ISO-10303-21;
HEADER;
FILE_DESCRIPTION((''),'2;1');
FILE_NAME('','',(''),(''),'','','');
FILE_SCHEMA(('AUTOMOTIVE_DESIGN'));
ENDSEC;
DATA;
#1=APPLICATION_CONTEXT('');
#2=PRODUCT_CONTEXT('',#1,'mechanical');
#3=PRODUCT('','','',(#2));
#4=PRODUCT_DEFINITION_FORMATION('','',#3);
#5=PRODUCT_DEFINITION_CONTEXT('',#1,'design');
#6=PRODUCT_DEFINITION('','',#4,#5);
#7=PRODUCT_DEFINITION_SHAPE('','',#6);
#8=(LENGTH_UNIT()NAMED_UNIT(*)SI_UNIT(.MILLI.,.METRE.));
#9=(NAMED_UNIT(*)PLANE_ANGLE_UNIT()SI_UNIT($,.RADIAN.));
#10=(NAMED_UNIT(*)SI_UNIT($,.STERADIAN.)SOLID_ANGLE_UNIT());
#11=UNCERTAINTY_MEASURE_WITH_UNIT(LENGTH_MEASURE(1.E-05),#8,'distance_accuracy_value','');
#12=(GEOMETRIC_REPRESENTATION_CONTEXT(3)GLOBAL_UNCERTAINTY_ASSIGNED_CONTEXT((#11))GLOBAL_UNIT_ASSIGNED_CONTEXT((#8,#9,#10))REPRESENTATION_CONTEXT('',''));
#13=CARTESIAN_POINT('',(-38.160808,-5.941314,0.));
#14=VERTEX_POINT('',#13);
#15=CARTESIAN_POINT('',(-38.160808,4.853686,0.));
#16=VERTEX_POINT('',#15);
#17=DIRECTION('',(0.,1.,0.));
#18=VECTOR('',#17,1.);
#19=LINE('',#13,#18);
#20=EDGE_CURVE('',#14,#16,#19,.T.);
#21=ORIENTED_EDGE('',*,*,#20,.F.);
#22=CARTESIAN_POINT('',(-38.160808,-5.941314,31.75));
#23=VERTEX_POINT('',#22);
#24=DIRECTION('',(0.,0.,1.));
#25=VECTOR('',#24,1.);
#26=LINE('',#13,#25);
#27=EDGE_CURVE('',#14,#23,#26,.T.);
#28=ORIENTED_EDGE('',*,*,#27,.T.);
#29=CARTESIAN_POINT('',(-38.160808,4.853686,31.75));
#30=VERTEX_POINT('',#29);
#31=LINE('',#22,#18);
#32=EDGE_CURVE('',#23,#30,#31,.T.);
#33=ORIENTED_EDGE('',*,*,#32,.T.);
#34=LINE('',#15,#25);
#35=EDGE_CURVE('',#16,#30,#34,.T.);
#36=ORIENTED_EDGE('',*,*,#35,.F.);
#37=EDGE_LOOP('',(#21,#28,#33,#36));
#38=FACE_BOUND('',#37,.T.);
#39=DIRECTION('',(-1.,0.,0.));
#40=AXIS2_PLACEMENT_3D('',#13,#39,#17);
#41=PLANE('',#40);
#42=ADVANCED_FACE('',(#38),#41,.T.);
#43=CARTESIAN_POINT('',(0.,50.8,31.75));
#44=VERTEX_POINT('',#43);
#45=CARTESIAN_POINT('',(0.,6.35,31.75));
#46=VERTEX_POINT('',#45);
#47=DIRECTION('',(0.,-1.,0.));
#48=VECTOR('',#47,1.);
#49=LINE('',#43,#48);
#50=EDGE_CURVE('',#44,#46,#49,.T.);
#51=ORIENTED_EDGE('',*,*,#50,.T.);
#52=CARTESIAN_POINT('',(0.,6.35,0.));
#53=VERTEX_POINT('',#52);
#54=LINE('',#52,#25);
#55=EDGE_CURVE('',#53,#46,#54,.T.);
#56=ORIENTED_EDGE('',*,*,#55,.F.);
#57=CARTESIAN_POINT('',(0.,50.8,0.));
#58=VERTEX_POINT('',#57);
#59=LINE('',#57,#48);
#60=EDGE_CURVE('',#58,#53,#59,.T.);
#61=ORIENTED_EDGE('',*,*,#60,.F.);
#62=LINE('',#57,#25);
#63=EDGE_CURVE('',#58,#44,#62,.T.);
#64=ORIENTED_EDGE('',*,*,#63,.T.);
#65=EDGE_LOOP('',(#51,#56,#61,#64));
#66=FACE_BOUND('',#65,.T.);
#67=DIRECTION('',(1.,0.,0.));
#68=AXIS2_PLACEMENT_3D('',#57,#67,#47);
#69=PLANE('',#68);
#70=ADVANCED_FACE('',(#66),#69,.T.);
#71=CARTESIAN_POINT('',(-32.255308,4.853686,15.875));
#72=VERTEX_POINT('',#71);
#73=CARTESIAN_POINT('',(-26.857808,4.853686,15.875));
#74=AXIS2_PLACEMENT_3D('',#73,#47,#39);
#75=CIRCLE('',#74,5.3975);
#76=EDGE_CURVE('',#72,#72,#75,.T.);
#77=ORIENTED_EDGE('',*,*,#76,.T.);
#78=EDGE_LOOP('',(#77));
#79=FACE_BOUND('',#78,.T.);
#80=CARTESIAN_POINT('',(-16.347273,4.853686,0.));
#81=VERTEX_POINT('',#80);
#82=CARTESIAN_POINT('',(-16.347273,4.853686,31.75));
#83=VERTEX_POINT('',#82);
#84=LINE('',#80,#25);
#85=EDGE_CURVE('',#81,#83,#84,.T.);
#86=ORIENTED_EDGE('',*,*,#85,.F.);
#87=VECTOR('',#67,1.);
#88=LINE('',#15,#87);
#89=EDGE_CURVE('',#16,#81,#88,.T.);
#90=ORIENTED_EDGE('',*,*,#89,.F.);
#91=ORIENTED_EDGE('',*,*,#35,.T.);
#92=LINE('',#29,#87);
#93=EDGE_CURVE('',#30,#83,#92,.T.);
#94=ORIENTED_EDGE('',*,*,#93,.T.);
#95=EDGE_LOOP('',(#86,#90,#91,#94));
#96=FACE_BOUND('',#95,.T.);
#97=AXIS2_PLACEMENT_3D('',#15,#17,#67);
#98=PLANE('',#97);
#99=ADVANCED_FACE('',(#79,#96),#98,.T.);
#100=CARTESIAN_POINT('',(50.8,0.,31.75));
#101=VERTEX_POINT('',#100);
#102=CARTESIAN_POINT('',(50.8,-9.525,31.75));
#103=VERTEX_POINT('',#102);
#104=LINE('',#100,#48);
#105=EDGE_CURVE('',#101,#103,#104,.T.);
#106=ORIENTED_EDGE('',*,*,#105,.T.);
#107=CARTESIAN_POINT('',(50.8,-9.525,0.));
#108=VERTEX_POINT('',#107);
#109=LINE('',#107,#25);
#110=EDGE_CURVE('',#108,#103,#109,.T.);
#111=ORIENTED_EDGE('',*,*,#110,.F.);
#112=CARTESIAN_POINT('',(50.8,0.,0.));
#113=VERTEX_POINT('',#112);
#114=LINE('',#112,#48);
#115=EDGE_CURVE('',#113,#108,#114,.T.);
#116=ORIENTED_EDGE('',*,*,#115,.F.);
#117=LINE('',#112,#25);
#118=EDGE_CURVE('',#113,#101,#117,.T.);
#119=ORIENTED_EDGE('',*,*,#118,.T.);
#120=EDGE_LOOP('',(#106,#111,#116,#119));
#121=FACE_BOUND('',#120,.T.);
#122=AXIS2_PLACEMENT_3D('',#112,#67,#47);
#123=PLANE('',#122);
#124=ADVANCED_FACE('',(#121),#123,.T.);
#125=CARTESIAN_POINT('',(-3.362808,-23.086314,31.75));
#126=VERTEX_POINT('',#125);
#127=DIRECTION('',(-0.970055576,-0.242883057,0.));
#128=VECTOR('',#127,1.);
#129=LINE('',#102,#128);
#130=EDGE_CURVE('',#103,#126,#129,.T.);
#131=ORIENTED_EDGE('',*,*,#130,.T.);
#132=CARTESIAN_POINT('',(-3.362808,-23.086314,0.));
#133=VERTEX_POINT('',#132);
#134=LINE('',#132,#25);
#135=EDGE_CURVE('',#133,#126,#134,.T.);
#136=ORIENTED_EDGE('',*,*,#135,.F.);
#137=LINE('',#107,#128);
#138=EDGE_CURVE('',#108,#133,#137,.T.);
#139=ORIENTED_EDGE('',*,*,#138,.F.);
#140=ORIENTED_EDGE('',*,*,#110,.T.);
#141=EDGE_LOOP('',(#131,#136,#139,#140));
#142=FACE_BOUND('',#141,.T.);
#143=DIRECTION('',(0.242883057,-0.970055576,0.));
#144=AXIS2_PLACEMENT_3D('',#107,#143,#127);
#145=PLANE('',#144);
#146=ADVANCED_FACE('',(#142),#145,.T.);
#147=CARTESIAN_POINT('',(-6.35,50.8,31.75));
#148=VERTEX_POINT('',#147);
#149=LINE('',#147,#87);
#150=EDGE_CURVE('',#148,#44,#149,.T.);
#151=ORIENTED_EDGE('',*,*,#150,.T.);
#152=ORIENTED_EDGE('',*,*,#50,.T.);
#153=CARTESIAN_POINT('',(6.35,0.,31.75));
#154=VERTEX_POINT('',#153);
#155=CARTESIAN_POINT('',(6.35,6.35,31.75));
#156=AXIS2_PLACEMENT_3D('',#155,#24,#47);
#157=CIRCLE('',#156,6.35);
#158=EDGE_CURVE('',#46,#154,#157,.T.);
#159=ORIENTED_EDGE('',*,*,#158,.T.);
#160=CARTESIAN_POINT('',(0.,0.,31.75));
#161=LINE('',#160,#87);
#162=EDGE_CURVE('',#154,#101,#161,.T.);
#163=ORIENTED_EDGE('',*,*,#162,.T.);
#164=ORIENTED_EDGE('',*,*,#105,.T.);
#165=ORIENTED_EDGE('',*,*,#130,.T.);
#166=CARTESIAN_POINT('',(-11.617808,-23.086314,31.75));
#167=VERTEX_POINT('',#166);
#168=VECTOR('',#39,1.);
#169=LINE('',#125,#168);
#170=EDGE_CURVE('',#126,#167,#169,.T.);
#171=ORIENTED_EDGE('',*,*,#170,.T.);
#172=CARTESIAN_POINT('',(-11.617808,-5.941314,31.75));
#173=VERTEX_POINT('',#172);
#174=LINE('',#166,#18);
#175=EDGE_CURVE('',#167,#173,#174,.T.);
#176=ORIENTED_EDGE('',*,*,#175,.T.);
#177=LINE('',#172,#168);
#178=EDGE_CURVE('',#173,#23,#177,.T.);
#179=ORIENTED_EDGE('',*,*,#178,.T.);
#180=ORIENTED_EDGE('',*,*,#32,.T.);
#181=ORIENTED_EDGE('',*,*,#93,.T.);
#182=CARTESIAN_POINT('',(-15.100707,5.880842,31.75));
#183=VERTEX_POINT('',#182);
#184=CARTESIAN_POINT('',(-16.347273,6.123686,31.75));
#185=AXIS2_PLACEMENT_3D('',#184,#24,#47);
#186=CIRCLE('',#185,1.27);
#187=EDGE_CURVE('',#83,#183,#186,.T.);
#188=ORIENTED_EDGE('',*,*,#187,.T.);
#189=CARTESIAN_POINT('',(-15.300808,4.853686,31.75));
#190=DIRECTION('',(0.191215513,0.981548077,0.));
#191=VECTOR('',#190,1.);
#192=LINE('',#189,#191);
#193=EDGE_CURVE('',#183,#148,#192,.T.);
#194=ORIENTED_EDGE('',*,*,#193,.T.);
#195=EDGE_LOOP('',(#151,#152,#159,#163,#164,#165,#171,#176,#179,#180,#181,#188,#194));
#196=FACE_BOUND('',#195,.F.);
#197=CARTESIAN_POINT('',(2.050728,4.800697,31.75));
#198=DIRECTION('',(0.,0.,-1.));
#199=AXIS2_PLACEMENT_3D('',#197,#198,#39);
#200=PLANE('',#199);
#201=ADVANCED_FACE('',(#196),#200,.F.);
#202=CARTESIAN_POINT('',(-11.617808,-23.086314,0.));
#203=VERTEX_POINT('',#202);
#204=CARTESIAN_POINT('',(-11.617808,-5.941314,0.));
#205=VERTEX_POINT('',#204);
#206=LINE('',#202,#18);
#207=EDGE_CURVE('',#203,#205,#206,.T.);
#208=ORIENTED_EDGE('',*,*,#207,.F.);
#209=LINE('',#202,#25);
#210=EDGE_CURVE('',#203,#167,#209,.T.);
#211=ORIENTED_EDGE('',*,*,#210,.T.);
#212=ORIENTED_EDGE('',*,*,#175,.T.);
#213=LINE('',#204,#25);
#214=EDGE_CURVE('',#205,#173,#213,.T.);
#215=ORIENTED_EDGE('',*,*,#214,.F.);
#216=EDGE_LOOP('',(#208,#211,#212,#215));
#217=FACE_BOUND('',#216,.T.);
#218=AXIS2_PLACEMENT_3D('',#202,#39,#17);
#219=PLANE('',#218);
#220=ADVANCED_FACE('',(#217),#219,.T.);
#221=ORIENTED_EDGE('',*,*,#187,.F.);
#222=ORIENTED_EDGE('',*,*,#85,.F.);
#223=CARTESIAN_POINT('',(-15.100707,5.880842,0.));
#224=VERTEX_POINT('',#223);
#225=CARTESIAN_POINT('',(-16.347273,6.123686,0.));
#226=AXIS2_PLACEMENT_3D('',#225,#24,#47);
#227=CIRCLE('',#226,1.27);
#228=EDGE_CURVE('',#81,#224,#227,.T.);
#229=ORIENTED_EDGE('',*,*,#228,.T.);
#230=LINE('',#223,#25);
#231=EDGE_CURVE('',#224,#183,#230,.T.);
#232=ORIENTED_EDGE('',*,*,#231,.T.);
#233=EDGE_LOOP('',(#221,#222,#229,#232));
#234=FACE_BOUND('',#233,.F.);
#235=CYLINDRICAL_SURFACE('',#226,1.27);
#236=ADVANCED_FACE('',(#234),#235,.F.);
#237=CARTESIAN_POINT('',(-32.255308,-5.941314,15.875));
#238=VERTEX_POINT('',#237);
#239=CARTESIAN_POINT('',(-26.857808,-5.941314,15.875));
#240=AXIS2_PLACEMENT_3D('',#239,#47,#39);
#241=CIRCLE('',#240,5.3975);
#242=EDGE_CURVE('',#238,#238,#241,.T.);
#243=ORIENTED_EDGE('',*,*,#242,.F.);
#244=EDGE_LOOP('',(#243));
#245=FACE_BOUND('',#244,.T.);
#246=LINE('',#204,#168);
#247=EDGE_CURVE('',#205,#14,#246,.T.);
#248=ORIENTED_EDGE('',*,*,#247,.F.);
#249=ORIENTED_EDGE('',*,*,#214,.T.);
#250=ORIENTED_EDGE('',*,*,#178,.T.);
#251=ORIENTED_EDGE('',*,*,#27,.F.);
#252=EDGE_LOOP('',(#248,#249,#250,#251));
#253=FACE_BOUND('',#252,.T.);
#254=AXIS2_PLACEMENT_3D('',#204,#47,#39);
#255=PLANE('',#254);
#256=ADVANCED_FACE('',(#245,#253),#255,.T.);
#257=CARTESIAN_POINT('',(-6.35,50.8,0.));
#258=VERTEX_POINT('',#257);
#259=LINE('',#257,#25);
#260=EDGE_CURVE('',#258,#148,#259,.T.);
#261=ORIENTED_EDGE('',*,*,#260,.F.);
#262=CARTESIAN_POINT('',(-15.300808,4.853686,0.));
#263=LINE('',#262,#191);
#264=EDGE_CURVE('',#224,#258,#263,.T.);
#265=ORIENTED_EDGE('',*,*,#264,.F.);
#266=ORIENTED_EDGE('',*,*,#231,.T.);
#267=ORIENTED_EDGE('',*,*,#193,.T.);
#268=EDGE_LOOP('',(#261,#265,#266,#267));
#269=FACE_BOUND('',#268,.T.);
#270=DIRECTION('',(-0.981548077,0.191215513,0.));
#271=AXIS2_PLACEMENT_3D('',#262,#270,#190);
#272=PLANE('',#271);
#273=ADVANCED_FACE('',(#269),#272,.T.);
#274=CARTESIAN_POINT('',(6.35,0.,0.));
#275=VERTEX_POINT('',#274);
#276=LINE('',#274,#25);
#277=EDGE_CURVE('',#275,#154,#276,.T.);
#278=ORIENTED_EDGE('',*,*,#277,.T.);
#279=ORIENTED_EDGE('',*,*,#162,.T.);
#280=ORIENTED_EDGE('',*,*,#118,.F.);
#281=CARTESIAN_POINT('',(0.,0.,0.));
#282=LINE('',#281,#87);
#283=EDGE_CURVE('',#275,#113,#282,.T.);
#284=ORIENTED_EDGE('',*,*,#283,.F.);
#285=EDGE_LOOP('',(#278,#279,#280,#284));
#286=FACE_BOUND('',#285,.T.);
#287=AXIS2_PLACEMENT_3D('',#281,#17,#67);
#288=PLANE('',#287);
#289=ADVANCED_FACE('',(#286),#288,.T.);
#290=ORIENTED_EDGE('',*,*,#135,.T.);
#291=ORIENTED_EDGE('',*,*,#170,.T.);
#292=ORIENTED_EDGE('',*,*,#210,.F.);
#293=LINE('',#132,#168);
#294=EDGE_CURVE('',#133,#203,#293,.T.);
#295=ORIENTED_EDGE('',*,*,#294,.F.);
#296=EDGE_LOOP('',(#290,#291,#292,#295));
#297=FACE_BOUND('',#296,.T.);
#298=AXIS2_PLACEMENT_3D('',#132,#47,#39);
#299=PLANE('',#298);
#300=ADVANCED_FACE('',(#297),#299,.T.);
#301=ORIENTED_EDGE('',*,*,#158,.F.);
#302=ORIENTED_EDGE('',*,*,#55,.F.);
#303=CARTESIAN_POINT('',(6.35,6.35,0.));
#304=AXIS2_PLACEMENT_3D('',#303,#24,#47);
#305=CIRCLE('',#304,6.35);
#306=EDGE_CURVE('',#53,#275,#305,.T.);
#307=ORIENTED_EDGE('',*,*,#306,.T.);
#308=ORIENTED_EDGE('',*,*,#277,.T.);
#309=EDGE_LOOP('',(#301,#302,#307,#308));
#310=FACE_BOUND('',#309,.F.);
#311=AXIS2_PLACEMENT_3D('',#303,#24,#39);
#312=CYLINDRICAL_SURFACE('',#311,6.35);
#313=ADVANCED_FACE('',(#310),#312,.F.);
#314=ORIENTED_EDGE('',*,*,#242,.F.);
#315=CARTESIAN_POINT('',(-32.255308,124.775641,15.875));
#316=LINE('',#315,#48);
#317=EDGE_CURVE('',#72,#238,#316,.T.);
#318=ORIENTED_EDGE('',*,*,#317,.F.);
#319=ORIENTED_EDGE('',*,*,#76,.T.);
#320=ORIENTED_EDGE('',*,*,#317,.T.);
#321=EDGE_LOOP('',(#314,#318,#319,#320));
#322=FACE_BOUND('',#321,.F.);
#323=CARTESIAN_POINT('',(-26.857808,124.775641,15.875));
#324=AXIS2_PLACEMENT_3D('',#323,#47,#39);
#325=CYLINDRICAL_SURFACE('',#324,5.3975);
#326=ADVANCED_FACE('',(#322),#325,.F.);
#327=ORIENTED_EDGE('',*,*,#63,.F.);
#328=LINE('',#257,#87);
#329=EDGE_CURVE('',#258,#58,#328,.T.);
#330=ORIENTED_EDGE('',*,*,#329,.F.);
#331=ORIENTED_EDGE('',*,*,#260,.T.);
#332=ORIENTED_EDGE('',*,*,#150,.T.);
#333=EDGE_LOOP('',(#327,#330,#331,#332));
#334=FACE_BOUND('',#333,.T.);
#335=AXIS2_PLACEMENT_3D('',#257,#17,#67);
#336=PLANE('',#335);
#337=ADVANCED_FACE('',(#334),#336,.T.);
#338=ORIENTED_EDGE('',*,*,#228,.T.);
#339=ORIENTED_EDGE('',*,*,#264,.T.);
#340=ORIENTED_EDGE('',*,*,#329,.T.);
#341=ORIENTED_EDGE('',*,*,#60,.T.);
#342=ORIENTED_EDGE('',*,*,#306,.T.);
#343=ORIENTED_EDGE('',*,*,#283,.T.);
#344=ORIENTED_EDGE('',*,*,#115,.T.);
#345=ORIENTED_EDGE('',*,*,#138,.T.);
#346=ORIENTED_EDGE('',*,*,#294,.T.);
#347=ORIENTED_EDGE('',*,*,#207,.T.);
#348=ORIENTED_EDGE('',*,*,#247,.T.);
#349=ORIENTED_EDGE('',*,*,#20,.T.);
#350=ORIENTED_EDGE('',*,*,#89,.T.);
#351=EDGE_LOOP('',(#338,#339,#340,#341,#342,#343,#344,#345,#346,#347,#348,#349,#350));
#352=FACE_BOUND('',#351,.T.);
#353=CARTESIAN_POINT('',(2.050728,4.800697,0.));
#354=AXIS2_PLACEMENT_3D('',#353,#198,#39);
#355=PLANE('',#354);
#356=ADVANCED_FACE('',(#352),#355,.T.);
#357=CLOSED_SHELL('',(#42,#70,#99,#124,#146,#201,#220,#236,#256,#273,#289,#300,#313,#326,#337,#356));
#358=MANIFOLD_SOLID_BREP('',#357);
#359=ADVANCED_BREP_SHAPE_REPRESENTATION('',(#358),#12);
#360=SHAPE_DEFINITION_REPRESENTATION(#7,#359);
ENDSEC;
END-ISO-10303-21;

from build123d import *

# Parameters (mm, degrees)
BOSS_EXTRUDE1_DEPTH          = 31.75
F_3_8_0_375_DIAMETER_HOLE1_D = 10.795
FILLET1_R                    = 1.27
FILLET2_R                    = 6.35


with BuildPart() as part:
    # Sketch1 → Boss-Extrude1 (new body)
    with BuildSketch(Plane.XY):
        Polygon((0, 0), (50.8, 0), (50.8, -9.525), (-3.3628076, -23.086314), (-11.6178076, -23.086314), (-11.6178076, -5.941314), (-38.1608076, -5.941314), (-38.1608076, 4.853686), (-15.3008076, 4.853686), (-6.35, 50.8), (0, 50.8), align=None)
    extrude(amount=BOSS_EXTRUDE1_DEPTH)

    # 3/8 (0.375) Diameter Hole1 (through all)
    with Locations(Plane(origin=(0, 4.853686, 0), x_dir=(1, 0, 0), z_dir=(0, 1, 0))):
        with Locations((-26.8578076, -15.875)):
            Hole(F_3_8_0_375_DIAMETER_HOLE1_D / 2)

    # Fillet1
    fillet1_edges = [part.edges().sort_by_distance(p)[0] for p in [
        (-15.3008076, 4.853686, 15.875),
    ]]
    fillet(fillet1_edges, radius=FILLET1_R)

    # Fillet2
    fillet2_edges = [part.edges().sort_by_distance(p)[0] for p in [
        (0, 0, 15.875),
    ]]
    fillet(fillet2_edges, radius=FILLET2_R)


solid = part.part
